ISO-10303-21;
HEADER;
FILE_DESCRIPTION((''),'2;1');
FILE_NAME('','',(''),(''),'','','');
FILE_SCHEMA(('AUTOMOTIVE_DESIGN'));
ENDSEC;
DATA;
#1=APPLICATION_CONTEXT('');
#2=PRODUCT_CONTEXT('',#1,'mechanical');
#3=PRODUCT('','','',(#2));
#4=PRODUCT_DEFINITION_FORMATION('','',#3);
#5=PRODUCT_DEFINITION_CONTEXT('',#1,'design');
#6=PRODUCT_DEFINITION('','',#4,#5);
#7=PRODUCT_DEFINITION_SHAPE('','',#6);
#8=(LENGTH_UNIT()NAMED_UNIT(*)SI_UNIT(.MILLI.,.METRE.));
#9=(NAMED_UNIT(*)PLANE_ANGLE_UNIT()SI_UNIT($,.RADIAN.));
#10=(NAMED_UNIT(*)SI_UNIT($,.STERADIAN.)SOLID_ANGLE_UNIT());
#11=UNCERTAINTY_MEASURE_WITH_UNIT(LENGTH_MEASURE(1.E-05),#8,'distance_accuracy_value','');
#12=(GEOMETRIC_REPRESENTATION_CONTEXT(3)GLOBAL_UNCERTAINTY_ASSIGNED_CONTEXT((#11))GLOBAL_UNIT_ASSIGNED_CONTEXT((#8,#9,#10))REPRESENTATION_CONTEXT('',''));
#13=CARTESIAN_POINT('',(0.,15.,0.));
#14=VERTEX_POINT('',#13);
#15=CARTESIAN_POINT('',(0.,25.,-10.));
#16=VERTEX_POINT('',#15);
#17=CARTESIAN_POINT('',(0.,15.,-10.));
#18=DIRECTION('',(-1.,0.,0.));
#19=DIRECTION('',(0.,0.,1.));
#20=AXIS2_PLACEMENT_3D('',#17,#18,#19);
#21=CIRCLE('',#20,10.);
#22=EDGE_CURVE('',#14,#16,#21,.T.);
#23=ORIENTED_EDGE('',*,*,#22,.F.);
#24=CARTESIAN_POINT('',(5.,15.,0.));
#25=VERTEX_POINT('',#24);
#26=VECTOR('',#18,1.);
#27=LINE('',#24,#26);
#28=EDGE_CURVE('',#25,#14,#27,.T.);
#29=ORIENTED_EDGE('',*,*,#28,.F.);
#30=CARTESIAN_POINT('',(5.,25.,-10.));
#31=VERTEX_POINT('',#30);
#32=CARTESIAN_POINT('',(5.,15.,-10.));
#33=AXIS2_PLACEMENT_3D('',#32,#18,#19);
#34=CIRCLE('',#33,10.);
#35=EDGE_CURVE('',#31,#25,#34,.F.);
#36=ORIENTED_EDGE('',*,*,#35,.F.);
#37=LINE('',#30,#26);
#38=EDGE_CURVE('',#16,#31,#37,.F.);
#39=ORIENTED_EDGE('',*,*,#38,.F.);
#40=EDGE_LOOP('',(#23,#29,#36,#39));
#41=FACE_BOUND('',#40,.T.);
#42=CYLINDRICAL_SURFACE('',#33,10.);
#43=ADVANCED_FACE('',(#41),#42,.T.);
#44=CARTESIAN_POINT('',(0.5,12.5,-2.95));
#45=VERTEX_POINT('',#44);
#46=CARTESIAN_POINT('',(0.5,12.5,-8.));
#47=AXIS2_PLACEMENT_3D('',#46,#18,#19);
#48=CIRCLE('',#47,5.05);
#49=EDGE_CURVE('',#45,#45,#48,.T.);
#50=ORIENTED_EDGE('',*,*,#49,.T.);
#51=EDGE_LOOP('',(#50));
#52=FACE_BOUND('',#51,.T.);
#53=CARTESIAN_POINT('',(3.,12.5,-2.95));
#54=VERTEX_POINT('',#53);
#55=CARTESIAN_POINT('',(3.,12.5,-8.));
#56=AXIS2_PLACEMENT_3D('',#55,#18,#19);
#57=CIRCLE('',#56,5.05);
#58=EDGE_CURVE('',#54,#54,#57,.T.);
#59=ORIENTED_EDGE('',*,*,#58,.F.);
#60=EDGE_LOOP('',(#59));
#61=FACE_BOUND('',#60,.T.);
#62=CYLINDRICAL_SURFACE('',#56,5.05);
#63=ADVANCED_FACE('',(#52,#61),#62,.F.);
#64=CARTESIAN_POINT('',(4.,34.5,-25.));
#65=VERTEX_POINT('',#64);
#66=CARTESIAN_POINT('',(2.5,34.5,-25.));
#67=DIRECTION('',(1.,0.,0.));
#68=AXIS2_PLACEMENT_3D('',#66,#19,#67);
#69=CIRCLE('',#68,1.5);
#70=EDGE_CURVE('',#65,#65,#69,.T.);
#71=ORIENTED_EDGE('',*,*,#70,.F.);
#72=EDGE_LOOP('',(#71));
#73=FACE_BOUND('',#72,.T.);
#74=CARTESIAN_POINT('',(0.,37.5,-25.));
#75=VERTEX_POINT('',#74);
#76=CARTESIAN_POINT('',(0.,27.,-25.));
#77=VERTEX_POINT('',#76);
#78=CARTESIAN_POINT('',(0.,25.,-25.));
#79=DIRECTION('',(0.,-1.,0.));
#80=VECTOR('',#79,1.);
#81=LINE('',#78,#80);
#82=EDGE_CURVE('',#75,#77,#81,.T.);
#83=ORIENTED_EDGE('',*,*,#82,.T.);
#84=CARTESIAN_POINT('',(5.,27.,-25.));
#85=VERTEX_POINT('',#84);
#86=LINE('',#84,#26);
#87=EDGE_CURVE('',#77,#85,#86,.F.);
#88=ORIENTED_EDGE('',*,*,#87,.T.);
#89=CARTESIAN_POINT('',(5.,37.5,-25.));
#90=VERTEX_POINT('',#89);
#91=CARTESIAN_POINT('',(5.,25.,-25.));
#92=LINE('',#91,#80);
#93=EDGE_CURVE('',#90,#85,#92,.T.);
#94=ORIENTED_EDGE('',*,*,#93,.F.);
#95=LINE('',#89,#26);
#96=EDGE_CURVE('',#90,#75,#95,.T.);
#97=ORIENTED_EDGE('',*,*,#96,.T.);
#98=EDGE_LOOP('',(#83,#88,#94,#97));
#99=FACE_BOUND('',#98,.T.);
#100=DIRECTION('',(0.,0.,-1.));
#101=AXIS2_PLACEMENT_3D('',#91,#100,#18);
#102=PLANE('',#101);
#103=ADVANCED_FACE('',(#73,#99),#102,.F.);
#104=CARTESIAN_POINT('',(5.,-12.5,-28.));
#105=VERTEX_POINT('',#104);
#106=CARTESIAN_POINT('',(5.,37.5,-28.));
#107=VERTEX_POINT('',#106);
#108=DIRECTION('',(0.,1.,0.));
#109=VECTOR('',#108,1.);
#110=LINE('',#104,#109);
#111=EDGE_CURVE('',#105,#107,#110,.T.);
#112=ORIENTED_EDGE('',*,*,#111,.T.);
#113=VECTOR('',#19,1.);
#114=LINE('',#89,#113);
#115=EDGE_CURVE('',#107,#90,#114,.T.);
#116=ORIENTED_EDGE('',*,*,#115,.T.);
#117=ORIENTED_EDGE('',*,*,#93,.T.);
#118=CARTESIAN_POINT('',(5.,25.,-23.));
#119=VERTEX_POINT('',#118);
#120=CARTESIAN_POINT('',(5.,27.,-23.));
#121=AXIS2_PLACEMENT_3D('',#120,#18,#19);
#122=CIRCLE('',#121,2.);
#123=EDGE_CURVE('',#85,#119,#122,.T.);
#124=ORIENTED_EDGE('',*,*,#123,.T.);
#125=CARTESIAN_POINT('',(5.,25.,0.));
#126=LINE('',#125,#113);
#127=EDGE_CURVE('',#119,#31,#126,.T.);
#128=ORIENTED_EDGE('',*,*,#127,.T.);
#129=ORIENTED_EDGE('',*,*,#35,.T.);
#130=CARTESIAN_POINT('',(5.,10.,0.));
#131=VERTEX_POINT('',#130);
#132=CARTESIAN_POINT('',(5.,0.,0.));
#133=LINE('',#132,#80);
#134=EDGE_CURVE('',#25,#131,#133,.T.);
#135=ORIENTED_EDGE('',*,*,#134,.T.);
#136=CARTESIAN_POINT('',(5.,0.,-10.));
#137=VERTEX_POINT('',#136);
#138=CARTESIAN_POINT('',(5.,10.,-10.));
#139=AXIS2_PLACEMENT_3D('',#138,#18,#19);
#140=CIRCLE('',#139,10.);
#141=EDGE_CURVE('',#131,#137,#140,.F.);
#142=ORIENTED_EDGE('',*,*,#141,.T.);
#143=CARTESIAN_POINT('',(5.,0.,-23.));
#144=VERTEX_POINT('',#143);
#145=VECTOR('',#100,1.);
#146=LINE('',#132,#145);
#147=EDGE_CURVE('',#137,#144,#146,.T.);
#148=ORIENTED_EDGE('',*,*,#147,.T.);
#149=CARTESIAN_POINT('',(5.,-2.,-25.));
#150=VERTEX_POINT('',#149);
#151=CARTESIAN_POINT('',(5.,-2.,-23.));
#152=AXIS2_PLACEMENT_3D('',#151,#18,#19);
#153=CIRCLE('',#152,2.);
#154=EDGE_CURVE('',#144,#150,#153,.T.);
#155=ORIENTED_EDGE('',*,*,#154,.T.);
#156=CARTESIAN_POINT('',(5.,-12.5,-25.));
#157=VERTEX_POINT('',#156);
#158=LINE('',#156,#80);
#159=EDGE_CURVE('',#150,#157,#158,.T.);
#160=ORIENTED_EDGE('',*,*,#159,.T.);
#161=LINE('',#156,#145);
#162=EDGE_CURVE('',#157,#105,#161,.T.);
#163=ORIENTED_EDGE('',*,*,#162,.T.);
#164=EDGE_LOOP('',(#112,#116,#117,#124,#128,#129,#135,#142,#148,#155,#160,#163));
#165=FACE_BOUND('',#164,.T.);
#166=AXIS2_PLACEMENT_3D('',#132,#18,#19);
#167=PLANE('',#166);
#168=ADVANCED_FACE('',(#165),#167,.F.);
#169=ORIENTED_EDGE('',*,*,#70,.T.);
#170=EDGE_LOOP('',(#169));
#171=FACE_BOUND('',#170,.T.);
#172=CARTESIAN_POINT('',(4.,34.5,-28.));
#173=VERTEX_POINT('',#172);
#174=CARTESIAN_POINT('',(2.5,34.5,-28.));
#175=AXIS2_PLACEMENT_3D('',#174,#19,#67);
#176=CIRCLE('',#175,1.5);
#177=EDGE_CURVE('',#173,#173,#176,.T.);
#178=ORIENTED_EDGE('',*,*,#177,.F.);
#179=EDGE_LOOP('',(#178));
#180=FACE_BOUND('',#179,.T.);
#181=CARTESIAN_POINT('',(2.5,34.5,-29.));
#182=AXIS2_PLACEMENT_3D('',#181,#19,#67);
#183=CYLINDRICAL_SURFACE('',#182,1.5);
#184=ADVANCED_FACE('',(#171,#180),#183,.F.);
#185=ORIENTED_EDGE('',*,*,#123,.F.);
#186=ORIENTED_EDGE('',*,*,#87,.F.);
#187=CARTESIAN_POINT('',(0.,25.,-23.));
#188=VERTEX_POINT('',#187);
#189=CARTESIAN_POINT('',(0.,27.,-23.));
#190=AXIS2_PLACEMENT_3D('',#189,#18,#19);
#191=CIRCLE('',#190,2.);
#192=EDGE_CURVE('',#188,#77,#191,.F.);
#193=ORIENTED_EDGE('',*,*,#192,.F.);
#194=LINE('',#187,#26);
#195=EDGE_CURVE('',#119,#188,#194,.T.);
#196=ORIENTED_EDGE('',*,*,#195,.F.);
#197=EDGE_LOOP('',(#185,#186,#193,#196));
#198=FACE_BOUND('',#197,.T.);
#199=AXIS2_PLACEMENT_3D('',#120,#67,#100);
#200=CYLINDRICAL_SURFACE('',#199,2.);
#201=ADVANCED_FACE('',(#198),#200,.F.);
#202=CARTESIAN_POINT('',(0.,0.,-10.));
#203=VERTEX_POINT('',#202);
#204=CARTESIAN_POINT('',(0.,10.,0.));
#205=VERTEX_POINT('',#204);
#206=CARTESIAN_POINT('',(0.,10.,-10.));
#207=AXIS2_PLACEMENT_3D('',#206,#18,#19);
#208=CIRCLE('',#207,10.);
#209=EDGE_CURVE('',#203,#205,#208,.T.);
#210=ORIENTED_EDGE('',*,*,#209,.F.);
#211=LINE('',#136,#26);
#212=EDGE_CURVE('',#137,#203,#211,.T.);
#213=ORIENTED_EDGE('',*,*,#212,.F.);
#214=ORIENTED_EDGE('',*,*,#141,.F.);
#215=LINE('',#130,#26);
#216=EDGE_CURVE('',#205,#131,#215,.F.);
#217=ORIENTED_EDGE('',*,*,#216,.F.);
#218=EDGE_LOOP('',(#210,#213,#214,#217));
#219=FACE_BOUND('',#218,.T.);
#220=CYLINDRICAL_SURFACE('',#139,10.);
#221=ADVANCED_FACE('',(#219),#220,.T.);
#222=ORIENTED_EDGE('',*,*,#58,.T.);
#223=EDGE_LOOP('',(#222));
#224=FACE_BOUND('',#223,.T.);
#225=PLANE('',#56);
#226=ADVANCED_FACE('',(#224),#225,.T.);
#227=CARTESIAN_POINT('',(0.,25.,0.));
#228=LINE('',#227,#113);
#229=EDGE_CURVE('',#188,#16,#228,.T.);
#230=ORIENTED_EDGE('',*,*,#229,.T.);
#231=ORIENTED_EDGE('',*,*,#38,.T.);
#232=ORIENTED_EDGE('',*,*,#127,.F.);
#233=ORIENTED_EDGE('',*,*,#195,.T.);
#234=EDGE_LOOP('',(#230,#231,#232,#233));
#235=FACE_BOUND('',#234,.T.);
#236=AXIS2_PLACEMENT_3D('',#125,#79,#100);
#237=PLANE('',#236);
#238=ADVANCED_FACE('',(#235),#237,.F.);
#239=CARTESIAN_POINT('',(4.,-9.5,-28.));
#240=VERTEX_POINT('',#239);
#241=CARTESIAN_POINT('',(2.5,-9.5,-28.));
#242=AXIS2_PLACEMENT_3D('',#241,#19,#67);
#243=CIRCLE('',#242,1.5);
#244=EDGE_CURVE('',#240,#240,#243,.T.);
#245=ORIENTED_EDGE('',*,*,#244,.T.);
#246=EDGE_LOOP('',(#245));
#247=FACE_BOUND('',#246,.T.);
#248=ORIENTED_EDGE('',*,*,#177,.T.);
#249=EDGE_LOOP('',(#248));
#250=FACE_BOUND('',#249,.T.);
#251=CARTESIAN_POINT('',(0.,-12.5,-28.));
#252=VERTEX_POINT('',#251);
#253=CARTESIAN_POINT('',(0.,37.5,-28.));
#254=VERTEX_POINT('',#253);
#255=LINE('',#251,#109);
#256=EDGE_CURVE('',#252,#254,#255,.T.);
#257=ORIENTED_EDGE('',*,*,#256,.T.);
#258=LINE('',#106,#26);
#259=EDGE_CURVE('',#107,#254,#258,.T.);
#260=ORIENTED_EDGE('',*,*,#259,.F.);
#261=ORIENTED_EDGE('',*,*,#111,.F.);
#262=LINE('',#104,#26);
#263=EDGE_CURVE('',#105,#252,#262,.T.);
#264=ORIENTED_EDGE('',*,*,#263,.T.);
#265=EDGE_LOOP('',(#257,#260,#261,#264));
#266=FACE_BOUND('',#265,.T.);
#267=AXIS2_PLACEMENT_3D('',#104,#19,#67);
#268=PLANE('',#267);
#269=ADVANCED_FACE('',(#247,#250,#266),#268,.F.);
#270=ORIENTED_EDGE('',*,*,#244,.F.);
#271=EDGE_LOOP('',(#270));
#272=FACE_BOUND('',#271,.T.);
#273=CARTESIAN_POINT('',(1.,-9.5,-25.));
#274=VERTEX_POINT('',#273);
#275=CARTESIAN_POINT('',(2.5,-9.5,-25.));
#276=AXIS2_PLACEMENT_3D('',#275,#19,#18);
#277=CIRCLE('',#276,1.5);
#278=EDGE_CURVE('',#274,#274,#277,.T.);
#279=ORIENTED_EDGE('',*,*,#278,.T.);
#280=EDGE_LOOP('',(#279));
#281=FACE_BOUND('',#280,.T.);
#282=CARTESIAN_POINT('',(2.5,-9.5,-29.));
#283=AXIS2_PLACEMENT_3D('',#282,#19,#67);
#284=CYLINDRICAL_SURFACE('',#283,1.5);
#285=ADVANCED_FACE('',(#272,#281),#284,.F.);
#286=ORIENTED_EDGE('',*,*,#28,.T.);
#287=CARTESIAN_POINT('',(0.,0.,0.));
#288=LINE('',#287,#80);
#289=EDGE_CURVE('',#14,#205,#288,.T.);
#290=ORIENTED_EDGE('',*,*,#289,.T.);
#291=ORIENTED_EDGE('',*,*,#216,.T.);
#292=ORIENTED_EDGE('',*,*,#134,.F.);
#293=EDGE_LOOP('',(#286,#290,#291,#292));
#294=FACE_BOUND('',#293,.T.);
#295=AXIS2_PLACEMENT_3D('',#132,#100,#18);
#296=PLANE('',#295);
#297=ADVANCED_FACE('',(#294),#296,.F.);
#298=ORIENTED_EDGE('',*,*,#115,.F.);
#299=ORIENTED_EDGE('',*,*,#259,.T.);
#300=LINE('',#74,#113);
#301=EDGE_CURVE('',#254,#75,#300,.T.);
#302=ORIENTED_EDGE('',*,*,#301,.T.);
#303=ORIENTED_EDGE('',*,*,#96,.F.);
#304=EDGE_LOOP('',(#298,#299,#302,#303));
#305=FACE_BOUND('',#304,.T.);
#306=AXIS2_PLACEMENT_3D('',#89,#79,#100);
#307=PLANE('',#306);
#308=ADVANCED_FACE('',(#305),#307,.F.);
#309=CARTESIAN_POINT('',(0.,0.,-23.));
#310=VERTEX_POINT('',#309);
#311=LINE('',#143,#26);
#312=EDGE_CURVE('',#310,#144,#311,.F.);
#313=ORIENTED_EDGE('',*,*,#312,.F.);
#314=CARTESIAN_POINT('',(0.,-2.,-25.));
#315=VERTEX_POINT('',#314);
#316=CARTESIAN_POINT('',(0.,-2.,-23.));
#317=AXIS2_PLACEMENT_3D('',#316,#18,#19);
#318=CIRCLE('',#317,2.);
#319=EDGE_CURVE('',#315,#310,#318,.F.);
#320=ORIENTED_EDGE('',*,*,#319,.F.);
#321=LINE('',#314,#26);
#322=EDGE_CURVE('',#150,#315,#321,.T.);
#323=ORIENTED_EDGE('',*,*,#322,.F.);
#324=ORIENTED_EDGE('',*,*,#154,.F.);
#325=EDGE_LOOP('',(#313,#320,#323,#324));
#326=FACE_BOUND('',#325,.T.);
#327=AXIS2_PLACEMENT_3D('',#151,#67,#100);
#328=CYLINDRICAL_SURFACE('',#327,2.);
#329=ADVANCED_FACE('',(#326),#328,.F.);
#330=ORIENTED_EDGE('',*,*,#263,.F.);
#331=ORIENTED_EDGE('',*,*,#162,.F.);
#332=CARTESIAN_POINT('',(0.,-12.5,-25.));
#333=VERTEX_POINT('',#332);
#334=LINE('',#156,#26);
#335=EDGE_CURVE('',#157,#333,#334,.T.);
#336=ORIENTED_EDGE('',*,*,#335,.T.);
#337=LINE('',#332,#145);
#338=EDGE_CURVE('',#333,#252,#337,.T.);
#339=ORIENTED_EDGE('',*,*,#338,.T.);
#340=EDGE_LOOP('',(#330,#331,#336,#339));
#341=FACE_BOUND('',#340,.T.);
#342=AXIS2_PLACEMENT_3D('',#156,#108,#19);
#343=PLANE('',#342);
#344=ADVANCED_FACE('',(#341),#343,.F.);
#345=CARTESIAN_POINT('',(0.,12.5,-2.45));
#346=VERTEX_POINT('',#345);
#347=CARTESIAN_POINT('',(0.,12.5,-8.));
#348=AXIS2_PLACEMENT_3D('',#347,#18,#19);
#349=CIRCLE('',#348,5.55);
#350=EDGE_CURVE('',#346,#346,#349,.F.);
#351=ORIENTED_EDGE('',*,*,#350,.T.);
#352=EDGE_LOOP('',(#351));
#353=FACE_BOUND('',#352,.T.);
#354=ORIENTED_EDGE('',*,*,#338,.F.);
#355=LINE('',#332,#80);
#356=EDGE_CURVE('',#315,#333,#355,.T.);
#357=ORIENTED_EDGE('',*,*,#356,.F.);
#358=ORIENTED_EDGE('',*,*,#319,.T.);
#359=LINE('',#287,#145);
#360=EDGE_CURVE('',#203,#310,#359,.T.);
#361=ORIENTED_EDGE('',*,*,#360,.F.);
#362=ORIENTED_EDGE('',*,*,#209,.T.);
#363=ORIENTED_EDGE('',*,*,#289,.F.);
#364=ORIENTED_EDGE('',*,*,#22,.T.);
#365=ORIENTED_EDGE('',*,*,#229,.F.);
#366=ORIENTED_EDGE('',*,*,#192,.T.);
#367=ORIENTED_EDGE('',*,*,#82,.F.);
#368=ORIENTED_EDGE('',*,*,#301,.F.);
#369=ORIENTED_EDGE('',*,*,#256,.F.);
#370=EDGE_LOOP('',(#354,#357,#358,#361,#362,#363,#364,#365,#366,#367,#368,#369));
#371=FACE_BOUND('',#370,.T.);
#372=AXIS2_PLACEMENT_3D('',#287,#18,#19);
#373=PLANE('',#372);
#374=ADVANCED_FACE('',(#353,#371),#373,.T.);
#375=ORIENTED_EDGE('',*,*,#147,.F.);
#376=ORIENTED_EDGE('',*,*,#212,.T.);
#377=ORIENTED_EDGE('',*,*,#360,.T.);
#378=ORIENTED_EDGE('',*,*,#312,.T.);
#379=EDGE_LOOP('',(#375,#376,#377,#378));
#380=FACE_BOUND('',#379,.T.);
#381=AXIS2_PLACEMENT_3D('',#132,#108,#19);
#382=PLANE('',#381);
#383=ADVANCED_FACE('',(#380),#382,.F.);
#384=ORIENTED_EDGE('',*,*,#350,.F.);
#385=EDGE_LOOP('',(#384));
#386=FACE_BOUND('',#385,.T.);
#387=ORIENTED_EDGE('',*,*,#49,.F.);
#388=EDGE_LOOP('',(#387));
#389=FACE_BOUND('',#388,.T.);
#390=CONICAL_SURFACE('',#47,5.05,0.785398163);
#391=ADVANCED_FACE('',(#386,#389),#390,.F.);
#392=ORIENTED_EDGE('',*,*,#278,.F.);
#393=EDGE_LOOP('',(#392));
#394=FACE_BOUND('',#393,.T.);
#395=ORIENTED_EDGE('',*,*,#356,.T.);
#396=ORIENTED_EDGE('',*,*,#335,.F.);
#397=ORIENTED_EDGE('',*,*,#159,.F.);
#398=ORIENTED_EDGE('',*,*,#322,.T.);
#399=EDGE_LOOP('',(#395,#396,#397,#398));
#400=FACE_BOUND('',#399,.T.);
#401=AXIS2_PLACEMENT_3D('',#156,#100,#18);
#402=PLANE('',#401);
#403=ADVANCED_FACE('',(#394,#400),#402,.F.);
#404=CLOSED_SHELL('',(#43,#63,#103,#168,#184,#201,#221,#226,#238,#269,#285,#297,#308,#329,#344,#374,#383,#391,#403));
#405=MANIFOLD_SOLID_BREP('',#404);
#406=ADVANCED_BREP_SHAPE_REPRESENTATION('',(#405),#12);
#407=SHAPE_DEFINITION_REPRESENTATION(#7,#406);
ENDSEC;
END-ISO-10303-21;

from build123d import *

# Parameters (mm, degrees)
EXTRUDE_2_DEPTH     = 5
SKETCH_2_R          = 1.5
CUT_EXTRUDE_1_DEPTH = 4
SKETCH_3_R          = 5.05
CUT_EXTRUDE_2_DEPTH = 3
CHAMFER_1_SIZE      = 0.5
FILLET_1_R          = 10
FILLET_2_R          = 2


with BuildPart() as part:
    # 草图1 → 凸台-拉伸2 (new body)
    with BuildSketch(Plane(origin=(0, 0, 0), x_dir=(0, 0, -1), z_dir=(1, 0, 0))):
        Polygon((25, 25), (25, 37.5), (28, 37.5), (28, -12.5), (25, -12.5), (25, 0), (0, 0), (0, 25), align=None)
    extrude(amount=EXTRUDE_2_DEPTH)

    # 草图2 → 切除-拉伸1 (cut)
    with BuildSketch(Plane.XY.offset(-25)):
        with Locations((2.5, 34.5)):
            Circle(SKETCH_2_R)
        with Locations((2.5, -9.5)):
            Circle(SKETCH_2_R)
    extrude(amount=-CUT_EXTRUDE_1_DEPTH, mode=Mode.SUBTRACT)

    # 草图3 → 切除-拉伸2 (cut)
    with BuildSketch(Plane.ZY):
        with Locations((-8, 12.5)):
            Circle(SKETCH_3_R)
    extrude(amount=-CUT_EXTRUDE_2_DEPTH, mode=Mode.SUBTRACT)

    # 倒角1
    chamfer_1_edges = [part.edges().sort_by_distance(p)[0] for p in [
        (0, 12.5, -13.05),
    ]]
    chamfer(chamfer_1_edges, length=CHAMFER_1_SIZE)

    # 圆角1
    fillet_1_edges = [part.edges().sort_by_distance(p)[0] for p in [
        (2.5, 25, 0),
        (2.5, 0, 0),
    ]]
    fillet(fillet_1_edges, radius=FILLET_1_R)

    # 圆角2
    fillet_2_edges = [part.edges().sort_by_distance(p)[0] for p in [
        (2.5, 25, -25),
        (2.5, 0, -25),
    ]]
    fillet(fillet_2_edges, radius=FILLET_2_R)


solid = part.part
